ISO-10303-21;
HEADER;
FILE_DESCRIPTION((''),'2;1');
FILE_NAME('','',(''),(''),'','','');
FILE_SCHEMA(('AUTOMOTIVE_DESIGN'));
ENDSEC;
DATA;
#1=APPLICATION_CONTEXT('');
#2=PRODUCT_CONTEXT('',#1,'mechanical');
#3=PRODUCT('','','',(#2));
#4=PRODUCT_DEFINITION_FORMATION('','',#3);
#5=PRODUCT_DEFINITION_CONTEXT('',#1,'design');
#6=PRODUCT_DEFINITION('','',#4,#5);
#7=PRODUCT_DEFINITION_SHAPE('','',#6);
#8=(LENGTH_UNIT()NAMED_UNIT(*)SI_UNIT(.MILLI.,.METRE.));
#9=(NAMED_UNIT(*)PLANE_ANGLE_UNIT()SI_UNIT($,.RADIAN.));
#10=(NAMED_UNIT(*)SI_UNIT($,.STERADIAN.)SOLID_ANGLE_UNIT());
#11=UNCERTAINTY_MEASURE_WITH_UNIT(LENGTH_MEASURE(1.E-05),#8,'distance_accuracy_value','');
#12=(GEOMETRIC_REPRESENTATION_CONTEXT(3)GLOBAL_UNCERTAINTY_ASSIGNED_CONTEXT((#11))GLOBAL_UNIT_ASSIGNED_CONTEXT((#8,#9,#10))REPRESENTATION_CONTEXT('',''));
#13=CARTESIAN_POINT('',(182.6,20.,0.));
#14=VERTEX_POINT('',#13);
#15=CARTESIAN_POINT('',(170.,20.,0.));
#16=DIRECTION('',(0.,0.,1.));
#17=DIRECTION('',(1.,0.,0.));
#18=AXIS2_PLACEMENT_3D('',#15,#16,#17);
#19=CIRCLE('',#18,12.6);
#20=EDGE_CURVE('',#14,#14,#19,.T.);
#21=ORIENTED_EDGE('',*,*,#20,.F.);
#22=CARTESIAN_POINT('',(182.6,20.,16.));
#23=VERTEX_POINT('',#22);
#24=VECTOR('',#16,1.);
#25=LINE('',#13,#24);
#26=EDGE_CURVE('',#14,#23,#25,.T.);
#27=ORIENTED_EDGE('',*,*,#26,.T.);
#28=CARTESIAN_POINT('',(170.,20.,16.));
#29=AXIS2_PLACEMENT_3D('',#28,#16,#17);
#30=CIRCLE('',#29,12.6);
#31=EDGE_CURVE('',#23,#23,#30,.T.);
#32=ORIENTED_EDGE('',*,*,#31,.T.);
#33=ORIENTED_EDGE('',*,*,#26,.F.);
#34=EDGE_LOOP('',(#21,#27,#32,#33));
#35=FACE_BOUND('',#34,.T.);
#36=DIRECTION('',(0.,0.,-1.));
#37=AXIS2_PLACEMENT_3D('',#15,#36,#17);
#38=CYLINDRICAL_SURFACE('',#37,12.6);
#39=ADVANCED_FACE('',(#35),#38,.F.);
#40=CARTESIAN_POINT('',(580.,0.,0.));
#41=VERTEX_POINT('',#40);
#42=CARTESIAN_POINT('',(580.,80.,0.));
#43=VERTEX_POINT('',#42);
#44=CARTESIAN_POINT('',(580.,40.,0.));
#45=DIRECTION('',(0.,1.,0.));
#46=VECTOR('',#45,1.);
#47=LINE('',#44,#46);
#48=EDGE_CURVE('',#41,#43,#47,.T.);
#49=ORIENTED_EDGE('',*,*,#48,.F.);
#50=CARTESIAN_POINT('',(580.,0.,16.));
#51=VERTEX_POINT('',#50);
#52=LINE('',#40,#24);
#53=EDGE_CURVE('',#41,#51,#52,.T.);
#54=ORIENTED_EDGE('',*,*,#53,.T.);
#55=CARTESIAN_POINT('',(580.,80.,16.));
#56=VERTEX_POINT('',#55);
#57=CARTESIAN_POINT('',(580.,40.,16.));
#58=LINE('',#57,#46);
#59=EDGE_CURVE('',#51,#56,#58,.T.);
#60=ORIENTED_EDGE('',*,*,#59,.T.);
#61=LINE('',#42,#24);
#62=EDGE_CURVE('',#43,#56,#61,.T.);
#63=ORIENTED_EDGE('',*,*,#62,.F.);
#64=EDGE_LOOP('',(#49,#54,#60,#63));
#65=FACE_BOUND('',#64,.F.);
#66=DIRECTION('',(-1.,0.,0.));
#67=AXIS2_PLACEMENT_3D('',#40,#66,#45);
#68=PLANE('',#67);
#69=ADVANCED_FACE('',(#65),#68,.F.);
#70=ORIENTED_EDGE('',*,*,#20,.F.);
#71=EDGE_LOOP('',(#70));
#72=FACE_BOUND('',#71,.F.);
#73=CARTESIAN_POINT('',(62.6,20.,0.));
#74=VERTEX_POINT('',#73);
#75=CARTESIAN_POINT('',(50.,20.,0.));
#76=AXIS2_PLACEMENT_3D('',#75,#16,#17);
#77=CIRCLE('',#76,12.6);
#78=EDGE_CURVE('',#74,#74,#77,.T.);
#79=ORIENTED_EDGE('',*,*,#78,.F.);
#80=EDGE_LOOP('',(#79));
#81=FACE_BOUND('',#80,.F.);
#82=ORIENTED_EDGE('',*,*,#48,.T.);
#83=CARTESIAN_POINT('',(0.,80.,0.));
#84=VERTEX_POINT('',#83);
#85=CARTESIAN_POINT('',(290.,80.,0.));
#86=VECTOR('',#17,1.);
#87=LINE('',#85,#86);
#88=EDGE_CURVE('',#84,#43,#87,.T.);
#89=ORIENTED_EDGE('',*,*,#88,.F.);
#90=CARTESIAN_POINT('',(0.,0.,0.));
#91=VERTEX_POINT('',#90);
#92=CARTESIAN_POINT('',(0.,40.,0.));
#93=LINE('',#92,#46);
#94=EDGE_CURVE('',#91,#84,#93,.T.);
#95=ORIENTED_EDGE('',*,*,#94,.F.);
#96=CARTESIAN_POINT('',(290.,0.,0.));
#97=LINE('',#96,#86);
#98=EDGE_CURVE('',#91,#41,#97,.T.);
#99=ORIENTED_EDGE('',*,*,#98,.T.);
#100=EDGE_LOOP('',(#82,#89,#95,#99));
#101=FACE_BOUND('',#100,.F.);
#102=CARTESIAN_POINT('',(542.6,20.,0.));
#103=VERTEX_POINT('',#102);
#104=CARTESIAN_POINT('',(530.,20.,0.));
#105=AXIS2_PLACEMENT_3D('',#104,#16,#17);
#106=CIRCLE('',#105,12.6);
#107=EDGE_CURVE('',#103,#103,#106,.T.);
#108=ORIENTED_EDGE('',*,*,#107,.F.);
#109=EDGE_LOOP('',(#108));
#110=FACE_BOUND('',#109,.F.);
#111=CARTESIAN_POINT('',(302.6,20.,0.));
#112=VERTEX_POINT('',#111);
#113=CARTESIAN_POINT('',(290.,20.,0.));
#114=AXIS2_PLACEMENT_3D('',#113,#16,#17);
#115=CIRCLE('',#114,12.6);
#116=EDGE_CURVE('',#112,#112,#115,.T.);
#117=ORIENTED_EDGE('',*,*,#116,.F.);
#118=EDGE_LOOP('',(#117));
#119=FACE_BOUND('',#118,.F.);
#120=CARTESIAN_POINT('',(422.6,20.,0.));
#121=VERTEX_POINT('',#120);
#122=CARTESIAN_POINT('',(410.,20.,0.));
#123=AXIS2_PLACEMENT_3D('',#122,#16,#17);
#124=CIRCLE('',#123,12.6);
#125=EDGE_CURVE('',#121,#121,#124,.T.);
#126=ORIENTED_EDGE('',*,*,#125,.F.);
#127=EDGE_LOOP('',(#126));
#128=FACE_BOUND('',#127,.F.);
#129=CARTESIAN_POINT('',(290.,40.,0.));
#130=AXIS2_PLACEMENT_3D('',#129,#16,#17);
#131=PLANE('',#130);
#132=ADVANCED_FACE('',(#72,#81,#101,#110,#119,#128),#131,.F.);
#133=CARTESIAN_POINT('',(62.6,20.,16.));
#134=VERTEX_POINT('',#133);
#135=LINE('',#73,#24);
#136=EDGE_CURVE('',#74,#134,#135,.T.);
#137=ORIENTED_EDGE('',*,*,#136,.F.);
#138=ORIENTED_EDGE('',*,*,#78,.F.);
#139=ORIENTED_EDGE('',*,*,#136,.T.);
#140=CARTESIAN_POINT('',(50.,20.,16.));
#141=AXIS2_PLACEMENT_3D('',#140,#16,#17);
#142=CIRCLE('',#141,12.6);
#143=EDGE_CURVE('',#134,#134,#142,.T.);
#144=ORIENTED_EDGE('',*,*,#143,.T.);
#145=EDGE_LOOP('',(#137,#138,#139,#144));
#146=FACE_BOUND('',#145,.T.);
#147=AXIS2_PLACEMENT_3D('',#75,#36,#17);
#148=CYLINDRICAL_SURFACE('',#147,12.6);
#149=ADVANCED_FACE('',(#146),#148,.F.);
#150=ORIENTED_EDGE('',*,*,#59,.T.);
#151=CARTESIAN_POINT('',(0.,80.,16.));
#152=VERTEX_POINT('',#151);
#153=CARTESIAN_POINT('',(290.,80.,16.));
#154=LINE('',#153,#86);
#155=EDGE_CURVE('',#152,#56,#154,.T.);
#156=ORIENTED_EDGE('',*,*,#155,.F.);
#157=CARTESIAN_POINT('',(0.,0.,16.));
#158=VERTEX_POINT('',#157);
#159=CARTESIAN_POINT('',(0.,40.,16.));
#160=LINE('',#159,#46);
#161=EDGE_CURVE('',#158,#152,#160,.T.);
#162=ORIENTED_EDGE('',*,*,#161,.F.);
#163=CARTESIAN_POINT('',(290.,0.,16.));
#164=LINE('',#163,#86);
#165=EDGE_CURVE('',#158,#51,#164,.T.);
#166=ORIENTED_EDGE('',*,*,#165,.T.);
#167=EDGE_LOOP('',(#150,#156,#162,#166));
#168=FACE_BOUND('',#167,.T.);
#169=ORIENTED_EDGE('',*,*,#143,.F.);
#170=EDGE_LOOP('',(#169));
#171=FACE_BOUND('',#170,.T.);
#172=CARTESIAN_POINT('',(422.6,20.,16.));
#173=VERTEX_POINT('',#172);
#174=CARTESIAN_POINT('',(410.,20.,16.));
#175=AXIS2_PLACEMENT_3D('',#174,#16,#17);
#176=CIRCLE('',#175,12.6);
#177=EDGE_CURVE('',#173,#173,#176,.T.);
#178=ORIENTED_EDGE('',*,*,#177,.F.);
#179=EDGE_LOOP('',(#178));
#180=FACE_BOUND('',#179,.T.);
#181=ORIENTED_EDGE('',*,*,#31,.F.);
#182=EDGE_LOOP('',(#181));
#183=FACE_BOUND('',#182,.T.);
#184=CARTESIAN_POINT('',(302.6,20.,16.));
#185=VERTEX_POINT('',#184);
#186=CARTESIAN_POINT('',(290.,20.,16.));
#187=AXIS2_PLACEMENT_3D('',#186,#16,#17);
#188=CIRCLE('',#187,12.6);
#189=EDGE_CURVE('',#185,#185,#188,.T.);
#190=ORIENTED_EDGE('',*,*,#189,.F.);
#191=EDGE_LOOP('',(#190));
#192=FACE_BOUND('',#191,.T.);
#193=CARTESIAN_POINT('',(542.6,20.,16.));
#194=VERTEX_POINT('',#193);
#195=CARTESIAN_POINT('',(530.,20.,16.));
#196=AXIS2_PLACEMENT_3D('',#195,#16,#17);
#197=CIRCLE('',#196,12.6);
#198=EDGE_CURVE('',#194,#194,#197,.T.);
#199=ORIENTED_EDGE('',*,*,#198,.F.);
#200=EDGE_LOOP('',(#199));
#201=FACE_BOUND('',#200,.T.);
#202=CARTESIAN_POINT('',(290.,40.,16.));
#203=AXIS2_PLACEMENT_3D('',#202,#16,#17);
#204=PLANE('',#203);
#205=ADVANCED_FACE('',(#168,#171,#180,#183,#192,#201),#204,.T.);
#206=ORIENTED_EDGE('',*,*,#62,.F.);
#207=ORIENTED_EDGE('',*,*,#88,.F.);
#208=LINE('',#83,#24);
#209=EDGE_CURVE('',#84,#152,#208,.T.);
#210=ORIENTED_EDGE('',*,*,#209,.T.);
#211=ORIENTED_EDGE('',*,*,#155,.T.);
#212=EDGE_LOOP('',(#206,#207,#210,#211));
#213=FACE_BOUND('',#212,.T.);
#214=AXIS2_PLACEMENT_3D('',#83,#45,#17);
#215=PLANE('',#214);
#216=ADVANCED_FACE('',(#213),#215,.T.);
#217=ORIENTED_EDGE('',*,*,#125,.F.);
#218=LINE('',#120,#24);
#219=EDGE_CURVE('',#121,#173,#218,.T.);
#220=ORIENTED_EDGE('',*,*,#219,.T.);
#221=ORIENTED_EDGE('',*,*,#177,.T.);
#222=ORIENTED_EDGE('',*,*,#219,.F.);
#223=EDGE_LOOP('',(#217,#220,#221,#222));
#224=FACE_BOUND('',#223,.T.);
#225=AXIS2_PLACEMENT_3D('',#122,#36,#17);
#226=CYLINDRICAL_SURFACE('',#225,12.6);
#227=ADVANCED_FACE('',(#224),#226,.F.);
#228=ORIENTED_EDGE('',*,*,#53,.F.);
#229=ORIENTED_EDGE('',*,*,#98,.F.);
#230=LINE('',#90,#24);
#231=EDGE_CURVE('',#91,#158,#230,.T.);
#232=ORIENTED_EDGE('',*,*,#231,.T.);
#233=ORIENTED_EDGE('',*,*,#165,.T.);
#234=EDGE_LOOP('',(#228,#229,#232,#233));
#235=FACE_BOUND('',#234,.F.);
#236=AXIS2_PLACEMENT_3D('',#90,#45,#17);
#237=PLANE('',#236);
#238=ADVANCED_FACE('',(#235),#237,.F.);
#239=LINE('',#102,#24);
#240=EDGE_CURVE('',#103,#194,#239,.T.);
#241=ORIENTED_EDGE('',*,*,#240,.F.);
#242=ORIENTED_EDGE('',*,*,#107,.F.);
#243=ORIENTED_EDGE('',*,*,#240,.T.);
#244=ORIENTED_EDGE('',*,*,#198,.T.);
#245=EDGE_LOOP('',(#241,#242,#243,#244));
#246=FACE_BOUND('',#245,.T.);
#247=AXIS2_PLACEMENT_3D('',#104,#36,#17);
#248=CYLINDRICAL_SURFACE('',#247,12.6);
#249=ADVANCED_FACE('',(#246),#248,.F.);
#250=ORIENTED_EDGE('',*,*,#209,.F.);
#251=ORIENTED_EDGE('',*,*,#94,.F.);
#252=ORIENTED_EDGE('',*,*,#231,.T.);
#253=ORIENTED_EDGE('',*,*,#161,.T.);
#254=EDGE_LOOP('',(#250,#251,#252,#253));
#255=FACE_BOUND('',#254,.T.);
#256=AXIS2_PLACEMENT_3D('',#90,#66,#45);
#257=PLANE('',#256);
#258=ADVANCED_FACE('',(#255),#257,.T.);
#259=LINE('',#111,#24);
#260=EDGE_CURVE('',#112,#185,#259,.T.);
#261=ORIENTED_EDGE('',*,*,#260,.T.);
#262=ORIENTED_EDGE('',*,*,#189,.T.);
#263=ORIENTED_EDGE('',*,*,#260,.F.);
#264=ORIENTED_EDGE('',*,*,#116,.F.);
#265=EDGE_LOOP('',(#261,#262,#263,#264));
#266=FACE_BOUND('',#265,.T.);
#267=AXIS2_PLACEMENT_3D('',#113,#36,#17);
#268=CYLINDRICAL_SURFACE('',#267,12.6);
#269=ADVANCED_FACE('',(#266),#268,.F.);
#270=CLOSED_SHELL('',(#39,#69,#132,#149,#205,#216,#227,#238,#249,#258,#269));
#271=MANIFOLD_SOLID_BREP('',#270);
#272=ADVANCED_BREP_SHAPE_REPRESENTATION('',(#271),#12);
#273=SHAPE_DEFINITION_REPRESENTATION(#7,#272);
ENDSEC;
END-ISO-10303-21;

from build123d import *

# Parameters (mm, degrees)
SKETCH1_W           = 580
SKETCH1_H           = 80
BOSS_EXTRUDE1_DEPTH = 16
SKETCH2_R           = 12.6
CUT_EXTRUDE7_DEPTH  = 16


with BuildPart() as part:
    # Sketch1 → Boss-Extrude1 (new body)
    with BuildSketch(Plane.XY):
        with Locations((290, 40)):
            Rectangle(SKETCH1_W, SKETCH1_H)
    extrude(amount=BOSS_EXTRUDE1_DEPTH)

    # Sketch2 → Cut-Extrude7 (cut)
    with BuildSketch(Plane.XY):
        with Locations((50, 20)):
            Circle(SKETCH2_R)
        with Locations((170, 20)):
            Circle(SKETCH2_R)
        with Locations((290, 20)):
            Circle(SKETCH2_R)
        with Locations((410, 20)):
            Circle(SKETCH2_R)
        with Locations((530, 20)):
            Circle(SKETCH2_R)
    extrude(amount=CUT_EXTRUDE7_DEPTH, mode=Mode.SUBTRACT)


solid = part.part
